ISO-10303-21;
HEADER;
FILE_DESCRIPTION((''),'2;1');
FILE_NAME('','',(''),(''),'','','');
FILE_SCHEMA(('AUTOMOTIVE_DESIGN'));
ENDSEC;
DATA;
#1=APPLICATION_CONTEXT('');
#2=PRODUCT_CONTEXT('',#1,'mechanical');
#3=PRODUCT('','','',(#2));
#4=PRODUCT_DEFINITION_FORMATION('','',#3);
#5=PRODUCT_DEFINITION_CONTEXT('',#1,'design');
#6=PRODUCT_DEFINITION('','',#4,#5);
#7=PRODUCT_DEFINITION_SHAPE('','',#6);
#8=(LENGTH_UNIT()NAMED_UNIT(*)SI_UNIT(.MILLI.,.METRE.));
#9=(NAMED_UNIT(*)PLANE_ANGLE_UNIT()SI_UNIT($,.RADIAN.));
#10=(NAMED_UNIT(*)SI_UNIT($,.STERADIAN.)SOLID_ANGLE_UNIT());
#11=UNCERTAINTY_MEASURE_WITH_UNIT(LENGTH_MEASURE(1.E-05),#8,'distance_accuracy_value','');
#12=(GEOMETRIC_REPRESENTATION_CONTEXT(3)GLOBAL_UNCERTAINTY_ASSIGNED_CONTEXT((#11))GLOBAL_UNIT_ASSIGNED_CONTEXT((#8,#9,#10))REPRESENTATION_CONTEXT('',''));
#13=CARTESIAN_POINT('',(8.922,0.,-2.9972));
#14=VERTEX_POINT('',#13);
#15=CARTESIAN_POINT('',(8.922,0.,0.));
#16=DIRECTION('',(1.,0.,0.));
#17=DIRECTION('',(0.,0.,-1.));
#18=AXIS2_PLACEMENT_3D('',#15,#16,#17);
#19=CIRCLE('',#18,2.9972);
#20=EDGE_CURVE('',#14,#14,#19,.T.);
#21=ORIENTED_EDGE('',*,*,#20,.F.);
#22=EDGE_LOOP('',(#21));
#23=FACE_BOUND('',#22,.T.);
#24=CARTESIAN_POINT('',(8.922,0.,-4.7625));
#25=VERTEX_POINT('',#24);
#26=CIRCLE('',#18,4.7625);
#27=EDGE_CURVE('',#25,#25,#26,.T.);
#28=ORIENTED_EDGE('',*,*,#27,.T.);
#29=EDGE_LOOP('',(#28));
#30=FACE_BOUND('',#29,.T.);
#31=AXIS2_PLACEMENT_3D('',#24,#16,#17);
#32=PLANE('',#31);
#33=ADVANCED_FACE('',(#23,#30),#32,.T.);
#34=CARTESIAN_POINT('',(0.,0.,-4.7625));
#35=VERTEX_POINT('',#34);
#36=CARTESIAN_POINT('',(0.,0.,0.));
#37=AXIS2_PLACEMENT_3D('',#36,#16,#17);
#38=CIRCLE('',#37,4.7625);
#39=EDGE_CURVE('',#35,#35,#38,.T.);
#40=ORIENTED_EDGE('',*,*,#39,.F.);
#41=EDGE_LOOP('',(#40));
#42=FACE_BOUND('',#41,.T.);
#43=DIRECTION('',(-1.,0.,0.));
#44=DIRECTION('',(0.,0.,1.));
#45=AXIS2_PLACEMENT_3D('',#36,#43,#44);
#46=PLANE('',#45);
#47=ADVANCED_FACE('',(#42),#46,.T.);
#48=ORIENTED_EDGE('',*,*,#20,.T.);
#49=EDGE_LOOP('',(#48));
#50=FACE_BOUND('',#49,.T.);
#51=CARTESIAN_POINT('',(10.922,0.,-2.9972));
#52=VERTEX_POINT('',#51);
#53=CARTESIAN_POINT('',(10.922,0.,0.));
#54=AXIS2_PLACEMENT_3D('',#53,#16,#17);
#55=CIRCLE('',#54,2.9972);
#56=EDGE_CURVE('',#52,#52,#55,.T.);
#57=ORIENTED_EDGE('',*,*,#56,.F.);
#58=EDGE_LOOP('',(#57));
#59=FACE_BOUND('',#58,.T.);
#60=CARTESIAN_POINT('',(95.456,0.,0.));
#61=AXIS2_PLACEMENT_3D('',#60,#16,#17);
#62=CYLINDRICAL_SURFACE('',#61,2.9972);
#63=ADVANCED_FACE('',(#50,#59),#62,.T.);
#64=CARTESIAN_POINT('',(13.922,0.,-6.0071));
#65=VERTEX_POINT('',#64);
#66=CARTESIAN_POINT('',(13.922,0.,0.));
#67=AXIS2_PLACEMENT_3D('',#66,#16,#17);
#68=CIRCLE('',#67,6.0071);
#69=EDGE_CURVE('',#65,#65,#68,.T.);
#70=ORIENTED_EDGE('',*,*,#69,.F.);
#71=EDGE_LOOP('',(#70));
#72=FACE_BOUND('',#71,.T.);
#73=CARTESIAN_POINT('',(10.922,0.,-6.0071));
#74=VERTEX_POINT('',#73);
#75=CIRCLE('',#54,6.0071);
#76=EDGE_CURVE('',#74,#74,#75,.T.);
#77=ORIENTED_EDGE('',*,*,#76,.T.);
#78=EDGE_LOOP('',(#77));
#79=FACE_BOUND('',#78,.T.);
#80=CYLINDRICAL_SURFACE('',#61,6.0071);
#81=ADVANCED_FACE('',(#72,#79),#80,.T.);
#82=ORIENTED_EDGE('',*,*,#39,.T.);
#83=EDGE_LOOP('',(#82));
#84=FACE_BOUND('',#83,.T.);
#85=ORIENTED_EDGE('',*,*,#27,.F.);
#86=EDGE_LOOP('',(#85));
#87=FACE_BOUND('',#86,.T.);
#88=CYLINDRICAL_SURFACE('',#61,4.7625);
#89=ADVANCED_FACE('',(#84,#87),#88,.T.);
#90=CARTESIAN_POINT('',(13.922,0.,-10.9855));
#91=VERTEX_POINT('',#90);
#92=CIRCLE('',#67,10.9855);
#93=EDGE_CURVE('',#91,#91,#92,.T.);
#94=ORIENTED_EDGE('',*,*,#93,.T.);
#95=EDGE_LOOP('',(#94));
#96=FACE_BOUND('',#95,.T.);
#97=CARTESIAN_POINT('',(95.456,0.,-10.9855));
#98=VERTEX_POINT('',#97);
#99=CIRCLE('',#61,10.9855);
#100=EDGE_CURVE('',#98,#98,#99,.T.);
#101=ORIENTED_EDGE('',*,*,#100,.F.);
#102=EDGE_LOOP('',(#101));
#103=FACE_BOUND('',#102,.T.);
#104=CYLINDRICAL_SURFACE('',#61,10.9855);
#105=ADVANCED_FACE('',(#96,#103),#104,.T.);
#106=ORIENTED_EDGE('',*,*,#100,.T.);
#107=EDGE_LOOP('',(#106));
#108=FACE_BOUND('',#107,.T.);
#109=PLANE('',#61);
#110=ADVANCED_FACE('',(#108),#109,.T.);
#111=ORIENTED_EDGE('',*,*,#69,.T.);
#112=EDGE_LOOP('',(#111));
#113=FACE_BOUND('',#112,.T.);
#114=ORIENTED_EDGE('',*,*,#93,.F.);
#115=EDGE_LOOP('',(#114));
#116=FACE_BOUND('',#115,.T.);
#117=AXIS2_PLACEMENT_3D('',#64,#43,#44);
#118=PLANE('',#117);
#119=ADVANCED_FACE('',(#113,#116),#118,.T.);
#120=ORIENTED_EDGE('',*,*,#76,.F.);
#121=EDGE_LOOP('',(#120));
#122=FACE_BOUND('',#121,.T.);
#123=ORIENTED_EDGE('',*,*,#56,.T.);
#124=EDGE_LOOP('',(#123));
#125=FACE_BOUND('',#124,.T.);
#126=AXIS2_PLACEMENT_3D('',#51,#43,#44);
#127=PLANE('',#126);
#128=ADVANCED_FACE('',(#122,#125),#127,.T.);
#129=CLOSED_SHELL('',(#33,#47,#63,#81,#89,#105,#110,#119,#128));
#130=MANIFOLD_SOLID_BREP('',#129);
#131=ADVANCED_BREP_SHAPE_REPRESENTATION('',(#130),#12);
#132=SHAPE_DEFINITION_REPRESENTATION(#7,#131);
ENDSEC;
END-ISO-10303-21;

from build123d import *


with BuildPart() as part:
    # Sketch1 → Revolve1 (revolve)
    with BuildSketch(Plane(origin=(0, 0, 0), x_dir=(1, 0, 0), z_dir=(0, 1, 0))):
        Polygon((0, 0), (0, 4.7625), (8.922, 4.7625), (8.922, 2.9972), (10.922, 2.9972), (10.922, 6.0071), (13.922, 6.0071), (13.922, 10.9855), (95.456, 10.9855), (95.456, 0), align=None)
    revolve(axis=Axis((95.456, 0, 0), (-1, 0, 0)))


solid = part.part
